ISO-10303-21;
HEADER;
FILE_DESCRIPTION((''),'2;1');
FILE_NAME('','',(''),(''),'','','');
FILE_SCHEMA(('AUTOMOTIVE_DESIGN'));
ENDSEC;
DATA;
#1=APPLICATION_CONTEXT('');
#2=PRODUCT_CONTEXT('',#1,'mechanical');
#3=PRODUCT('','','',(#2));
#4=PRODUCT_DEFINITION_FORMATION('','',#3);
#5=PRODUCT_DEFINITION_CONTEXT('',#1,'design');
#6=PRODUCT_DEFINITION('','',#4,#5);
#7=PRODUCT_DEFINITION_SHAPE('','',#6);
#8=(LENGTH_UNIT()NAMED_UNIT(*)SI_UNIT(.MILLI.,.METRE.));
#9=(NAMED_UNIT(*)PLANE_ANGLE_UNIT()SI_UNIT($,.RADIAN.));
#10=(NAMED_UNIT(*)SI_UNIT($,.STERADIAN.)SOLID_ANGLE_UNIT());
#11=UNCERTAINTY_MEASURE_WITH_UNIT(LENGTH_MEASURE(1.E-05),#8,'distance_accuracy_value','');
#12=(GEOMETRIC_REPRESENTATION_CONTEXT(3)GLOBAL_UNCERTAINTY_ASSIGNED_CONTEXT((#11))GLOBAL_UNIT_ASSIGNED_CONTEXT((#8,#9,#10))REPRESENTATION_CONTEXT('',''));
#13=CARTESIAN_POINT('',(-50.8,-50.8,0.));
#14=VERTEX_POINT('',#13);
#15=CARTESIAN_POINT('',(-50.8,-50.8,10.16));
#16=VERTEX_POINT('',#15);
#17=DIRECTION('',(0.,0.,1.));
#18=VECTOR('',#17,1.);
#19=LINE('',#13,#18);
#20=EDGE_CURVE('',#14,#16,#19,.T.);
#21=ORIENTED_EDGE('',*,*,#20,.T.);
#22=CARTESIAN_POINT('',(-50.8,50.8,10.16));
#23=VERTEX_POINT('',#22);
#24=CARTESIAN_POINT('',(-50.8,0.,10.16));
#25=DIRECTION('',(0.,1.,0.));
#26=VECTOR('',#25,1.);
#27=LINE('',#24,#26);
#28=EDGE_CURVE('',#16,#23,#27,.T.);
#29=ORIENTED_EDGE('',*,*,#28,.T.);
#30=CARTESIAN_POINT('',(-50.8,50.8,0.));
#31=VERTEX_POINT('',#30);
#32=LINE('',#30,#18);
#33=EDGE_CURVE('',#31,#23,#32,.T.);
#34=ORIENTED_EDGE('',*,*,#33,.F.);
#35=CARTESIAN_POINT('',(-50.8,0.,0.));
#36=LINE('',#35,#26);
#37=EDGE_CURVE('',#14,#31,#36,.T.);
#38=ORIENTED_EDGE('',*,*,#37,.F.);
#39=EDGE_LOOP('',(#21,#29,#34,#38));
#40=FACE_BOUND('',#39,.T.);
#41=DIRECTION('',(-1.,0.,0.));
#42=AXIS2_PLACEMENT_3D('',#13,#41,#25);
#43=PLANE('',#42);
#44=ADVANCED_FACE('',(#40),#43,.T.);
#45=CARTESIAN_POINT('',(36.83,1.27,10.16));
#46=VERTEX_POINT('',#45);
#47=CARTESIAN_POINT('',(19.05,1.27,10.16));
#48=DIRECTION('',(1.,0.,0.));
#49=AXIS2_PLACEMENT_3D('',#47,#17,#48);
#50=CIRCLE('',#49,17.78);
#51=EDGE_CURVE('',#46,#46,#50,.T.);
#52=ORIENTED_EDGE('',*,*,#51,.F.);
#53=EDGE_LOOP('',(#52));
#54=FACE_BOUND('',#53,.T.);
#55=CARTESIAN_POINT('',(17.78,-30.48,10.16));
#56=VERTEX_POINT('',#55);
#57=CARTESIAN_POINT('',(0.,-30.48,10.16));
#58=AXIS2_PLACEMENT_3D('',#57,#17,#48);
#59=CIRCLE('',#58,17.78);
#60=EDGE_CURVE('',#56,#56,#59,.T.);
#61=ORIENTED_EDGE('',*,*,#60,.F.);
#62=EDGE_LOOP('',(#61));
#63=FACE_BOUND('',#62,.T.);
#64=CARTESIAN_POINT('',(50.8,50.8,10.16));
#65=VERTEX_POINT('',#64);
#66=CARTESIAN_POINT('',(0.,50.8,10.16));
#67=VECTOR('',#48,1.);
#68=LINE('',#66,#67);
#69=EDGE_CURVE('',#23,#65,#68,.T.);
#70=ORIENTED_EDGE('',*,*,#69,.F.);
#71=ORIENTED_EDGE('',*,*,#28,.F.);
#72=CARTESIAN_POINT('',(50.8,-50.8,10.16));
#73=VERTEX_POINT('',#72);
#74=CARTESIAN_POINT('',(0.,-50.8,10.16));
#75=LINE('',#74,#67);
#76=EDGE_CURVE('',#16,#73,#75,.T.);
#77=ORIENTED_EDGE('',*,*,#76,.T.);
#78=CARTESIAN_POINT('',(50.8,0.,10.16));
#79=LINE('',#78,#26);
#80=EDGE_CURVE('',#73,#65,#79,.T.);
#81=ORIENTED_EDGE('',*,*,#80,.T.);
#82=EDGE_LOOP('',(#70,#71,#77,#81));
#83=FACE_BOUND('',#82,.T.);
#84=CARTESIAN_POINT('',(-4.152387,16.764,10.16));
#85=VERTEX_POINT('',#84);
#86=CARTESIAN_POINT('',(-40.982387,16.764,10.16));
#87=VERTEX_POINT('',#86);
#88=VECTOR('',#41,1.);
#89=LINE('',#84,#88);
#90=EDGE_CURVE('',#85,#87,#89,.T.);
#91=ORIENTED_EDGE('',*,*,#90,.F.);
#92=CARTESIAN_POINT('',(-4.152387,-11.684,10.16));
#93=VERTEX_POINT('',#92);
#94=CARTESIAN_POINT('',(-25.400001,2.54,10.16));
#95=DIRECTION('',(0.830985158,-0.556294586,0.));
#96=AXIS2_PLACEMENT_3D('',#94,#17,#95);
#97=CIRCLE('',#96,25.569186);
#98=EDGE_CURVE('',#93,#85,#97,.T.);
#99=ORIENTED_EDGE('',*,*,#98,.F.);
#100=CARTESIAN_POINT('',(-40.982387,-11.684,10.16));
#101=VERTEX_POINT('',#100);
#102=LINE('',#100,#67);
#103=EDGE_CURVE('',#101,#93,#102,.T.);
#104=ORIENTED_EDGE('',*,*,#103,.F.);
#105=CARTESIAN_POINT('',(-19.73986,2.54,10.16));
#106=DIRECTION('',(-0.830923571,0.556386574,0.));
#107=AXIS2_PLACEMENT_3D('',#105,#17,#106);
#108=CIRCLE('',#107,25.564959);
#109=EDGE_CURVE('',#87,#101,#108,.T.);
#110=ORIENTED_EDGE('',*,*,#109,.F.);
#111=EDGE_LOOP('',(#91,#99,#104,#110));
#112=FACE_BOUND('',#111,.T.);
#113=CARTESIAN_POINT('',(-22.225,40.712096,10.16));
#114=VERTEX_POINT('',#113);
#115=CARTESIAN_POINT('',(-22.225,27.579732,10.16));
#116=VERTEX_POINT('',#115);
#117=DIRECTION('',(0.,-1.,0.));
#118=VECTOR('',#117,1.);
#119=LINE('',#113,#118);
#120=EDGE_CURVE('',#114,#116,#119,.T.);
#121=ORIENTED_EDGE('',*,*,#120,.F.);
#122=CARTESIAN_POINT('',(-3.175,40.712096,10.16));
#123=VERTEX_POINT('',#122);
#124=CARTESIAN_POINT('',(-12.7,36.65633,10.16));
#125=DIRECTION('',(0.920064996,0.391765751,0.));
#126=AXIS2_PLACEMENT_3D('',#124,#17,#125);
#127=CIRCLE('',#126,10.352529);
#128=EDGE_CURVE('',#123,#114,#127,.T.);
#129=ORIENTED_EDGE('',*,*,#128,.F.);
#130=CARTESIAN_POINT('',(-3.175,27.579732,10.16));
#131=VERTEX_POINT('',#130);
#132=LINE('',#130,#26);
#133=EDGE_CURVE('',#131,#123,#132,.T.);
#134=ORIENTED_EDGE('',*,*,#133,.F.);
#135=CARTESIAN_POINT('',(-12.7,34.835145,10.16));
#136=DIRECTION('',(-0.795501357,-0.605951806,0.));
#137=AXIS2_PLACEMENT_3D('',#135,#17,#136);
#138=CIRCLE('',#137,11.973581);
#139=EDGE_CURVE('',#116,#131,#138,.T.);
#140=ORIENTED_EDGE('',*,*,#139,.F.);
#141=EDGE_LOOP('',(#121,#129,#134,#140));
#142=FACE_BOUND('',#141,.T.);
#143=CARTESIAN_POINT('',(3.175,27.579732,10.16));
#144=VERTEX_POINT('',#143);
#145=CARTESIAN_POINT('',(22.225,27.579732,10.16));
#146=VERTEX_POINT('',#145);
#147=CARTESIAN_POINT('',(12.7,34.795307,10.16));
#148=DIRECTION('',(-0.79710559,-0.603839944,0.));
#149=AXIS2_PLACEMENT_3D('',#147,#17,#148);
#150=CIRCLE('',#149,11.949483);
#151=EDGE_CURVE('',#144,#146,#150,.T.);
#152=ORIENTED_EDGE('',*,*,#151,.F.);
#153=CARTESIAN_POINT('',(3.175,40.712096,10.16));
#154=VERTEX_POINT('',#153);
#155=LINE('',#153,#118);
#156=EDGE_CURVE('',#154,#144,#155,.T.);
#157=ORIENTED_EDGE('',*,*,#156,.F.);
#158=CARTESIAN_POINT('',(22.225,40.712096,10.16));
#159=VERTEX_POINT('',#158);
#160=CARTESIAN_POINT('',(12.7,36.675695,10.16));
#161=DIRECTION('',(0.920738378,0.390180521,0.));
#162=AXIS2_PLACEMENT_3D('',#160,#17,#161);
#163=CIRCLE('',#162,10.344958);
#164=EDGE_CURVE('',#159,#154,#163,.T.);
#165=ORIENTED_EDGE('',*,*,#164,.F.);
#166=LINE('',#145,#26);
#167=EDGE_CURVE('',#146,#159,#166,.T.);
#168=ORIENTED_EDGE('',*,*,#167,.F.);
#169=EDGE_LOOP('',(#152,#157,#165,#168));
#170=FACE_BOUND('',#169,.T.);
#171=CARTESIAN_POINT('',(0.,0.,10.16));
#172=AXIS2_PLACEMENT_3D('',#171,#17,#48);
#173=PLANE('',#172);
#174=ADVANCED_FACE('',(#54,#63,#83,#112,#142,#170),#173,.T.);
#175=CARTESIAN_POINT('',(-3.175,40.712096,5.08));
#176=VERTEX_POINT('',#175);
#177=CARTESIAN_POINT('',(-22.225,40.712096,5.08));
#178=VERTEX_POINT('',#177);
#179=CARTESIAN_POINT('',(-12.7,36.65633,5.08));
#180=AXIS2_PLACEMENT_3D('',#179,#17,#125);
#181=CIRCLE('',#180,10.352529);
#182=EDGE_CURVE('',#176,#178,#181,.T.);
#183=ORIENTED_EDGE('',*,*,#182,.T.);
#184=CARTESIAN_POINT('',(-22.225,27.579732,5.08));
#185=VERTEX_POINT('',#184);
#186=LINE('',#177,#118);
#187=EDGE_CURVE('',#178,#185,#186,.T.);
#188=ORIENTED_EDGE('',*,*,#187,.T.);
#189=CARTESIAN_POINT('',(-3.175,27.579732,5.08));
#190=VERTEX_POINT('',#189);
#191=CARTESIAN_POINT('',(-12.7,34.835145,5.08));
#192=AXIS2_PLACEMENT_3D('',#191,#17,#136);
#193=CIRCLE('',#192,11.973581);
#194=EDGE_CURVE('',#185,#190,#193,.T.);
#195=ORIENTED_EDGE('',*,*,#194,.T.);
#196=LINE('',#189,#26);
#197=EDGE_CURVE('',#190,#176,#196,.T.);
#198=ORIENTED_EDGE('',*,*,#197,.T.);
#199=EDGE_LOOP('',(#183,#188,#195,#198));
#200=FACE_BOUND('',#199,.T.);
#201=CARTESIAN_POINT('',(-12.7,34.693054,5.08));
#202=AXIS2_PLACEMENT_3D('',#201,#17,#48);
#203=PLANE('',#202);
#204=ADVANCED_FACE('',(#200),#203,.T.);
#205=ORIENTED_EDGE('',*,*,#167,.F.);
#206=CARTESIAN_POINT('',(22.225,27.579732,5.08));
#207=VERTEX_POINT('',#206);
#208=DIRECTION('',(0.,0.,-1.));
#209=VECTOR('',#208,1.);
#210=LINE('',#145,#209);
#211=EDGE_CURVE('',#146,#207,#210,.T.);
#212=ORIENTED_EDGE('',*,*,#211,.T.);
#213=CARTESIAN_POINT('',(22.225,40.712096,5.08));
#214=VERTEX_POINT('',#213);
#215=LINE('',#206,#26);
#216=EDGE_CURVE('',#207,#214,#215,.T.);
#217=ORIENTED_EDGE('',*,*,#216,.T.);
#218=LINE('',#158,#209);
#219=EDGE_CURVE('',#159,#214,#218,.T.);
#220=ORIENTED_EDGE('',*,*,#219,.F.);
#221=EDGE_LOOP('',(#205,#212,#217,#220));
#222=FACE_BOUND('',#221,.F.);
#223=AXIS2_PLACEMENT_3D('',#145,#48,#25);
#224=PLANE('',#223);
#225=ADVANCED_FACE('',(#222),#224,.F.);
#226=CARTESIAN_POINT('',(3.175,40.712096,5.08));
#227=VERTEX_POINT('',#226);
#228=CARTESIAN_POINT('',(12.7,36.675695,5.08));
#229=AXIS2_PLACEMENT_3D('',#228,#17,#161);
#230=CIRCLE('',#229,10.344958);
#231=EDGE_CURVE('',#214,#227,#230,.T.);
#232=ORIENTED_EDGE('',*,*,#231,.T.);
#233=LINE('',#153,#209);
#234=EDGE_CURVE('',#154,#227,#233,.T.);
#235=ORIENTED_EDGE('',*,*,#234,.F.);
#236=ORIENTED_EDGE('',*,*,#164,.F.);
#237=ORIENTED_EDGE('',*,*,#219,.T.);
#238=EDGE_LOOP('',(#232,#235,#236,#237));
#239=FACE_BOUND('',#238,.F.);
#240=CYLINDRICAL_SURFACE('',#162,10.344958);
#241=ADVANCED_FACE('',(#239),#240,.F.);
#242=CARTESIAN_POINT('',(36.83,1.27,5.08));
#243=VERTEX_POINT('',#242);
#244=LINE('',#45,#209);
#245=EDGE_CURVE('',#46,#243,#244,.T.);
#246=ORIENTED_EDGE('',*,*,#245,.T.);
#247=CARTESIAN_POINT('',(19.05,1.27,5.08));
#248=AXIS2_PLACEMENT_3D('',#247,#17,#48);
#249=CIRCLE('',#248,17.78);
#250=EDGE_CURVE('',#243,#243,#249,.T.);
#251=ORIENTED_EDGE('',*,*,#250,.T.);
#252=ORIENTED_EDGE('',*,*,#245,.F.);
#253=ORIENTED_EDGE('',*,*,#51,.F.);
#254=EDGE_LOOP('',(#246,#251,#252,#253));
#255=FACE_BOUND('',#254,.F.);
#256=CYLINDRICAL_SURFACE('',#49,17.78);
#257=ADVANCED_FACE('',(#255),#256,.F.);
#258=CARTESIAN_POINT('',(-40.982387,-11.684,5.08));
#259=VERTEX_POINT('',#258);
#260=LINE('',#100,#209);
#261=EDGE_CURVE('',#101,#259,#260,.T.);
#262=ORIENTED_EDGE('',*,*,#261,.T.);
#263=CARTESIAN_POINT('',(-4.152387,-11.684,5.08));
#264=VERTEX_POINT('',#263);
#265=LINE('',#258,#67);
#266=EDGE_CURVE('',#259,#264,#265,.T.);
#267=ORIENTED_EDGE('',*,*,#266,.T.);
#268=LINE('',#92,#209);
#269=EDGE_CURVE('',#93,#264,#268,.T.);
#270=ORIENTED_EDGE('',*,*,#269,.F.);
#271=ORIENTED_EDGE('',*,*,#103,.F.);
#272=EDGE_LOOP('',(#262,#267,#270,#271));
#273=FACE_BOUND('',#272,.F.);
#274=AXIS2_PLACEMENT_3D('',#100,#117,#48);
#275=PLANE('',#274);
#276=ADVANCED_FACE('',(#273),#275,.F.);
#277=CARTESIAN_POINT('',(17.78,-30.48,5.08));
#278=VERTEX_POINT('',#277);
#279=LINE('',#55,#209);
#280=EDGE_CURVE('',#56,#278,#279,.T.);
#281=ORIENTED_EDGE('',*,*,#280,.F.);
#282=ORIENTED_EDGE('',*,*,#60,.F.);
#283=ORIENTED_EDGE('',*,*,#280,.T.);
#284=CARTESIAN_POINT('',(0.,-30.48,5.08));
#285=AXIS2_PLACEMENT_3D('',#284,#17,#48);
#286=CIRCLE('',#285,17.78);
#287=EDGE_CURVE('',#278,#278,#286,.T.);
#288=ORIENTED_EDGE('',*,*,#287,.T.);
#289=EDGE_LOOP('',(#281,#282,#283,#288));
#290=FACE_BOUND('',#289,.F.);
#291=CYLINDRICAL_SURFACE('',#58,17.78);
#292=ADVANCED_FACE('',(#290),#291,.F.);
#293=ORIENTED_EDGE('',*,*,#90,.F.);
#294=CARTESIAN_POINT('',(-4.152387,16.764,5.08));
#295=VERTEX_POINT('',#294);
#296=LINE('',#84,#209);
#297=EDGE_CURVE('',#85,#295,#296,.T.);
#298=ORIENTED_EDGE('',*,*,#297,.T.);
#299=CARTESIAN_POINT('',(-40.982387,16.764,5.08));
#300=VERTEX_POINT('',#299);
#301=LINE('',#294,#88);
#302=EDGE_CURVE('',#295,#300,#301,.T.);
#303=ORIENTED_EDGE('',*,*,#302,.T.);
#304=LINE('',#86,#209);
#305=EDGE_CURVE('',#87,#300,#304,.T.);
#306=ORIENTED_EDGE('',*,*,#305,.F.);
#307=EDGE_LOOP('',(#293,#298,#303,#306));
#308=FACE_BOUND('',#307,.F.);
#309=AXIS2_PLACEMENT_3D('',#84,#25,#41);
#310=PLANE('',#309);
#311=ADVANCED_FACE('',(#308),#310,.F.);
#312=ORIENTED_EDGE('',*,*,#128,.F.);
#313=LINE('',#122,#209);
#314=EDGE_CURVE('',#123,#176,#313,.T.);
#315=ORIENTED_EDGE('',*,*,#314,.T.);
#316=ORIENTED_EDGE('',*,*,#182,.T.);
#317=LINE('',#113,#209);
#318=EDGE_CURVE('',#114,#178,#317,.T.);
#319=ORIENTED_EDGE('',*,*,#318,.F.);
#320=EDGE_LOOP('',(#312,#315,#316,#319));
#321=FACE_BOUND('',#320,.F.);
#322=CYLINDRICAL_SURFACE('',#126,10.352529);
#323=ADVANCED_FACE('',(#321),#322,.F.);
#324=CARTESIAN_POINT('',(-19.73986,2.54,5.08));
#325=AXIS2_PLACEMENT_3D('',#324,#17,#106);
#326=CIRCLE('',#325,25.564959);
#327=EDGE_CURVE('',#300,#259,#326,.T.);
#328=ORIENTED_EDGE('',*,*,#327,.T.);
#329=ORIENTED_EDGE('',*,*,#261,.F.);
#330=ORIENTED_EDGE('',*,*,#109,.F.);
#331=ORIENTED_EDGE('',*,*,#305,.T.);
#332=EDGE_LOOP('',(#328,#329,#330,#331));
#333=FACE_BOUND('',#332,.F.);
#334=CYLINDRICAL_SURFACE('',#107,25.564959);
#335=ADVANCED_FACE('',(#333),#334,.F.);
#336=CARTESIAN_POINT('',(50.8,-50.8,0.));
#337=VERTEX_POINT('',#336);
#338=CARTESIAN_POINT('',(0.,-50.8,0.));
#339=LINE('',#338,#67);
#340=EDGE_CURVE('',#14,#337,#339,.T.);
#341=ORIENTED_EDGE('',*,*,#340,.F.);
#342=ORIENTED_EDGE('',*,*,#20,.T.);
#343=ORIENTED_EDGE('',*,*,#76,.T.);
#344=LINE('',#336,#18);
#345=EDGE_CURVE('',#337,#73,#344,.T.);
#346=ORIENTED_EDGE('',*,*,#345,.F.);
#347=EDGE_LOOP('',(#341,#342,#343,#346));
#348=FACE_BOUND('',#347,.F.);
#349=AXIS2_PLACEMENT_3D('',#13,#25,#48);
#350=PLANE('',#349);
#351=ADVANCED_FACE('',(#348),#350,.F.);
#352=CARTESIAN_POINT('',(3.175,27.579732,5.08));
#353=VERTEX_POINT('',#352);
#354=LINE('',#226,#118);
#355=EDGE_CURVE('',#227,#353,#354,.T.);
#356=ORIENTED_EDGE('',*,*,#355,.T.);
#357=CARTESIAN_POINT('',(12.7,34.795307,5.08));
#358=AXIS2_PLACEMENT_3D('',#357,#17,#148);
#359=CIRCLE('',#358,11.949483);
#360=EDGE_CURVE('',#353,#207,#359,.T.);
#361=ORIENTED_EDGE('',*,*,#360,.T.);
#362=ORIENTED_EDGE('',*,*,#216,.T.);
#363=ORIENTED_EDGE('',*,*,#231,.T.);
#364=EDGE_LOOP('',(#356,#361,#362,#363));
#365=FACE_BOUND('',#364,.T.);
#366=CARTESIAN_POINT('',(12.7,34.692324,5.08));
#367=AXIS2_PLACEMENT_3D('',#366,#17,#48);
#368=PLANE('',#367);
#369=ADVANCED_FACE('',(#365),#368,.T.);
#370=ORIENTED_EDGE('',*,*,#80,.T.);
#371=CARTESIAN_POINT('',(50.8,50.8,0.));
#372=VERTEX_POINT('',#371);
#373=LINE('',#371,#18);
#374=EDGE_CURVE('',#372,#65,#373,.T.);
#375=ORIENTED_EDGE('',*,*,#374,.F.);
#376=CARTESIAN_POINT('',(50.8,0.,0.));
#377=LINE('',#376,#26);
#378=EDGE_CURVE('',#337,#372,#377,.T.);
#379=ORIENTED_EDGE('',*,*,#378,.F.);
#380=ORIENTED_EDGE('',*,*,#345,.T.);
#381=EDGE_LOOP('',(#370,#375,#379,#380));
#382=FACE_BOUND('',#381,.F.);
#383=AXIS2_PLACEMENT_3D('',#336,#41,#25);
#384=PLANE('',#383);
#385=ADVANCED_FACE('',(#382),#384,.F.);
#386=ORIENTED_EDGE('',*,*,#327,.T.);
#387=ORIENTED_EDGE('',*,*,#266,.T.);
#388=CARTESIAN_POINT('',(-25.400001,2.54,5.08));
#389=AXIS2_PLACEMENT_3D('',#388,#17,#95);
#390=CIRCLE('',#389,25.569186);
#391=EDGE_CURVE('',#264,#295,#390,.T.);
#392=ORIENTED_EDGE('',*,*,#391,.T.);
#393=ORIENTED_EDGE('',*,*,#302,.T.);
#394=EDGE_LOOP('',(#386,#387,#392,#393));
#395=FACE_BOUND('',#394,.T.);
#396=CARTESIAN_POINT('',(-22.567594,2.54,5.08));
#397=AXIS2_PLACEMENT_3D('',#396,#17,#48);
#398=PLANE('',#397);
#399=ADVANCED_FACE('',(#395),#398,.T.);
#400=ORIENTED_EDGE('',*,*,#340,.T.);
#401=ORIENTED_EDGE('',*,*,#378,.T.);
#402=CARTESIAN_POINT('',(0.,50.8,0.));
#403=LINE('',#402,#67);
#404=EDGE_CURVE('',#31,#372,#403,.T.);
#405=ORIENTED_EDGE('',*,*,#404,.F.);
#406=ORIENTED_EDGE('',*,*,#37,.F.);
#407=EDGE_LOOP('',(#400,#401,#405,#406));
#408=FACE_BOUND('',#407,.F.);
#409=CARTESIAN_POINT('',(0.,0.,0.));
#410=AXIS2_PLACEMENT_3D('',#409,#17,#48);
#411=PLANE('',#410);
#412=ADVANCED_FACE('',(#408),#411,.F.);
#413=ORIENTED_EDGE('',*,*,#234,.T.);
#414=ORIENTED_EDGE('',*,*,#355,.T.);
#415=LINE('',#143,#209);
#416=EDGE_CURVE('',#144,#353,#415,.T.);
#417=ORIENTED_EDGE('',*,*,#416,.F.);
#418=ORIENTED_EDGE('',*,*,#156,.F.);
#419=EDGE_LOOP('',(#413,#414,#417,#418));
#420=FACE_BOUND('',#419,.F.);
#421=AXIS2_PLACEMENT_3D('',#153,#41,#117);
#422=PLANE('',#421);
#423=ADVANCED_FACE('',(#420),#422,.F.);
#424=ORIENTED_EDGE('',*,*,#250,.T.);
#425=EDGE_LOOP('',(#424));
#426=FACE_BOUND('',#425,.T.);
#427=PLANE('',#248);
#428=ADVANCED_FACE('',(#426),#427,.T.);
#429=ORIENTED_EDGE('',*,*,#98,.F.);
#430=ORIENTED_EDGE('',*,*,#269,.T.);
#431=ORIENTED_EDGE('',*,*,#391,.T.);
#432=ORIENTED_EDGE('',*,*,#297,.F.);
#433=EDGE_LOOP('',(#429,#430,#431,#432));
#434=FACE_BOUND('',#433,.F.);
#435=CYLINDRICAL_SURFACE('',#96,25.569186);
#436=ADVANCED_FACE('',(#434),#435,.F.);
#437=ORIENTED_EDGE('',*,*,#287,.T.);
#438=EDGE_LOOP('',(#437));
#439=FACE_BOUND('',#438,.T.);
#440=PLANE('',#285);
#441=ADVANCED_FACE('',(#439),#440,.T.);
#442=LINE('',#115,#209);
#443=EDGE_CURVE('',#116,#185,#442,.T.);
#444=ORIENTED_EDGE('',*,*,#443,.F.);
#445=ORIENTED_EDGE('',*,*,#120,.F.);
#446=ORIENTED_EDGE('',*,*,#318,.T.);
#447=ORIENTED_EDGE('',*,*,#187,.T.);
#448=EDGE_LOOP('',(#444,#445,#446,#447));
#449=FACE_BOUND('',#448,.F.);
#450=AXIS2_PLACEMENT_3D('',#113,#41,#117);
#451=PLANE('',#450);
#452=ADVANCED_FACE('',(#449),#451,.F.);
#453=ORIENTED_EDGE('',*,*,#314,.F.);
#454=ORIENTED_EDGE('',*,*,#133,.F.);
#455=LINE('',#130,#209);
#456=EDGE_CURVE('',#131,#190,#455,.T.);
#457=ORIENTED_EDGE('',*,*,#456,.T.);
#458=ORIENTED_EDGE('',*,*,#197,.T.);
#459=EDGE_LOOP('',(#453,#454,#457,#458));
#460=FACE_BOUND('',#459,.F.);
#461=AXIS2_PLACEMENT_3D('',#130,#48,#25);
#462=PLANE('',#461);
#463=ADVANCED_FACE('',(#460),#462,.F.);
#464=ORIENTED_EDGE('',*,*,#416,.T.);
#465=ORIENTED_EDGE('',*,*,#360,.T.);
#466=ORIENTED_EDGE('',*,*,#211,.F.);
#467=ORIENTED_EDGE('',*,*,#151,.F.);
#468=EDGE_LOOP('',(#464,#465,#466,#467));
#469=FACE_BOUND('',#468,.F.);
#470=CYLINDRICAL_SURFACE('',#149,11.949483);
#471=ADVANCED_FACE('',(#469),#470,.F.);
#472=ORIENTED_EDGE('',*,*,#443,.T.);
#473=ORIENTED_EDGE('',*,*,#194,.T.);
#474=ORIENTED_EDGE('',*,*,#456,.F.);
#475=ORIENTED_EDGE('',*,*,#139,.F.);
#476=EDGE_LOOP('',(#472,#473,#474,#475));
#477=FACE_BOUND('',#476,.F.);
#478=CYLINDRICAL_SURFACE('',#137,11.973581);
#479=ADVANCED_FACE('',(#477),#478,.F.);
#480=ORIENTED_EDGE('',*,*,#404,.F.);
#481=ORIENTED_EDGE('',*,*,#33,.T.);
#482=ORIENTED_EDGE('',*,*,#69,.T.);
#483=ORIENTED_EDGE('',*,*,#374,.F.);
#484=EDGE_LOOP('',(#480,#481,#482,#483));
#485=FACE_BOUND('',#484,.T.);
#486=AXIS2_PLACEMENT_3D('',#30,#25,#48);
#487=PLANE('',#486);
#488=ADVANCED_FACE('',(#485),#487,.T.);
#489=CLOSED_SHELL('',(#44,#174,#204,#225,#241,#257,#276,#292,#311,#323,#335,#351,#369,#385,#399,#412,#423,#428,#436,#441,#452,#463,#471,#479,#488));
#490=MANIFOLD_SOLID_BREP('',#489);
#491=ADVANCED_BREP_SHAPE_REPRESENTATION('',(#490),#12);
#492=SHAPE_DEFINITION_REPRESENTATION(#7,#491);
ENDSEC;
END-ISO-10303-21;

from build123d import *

# Parameters (mm, degrees)
F0_W     = 101.6
F0_H     = 101.6
F1_DEPTH = 10.16
F2_R     = 17.78
F3_DEPTH = 5.08


with BuildPart() as f1:
    # F0 (on Top) → F1 (new body)
    with BuildSketch(Plane.XY):
        Rectangle(F0_W, F0_H)
    extrude(amount=F1_DEPTH)

    # F2 (on face) → F3 (cut)
    with BuildSketch(Plane.XY.offset(10.16)):
        with Locations((0, -30.48)):
            Circle(F2_R)
        with Locations((19.05, 1.27)):
            Circle(F2_R)
        with BuildLine():
            Line((-4.152387, 16.764), (-40.982387, 16.764))
            ThreePointArc((-40.982387, 16.764), (-45.304819, 2.54), (-40.982387, -11.684))
            Line((-40.982387, -11.684), (-4.152387, -11.684))
            ThreePointArc((-4.152387, -11.684), (0.169185, 2.54), (-4.152387, 16.764))
        make_face()
        with BuildLine():
            Line((3.175, 40.712096), (3.175, 27.579732))
            ThreePointArc((3.175, 27.579732), (12.7, 22.845824), (22.225, 27.579732))
            Line((22.225, 27.579732), (22.225, 40.712096))
            ThreePointArc((22.225, 40.712096), (12.7, 47.020653), (3.175, 40.712096))
        make_face()
        with BuildLine():
            Line((-22.225, 40.712096), (-22.225, 27.579732))
            ThreePointArc((-22.225, 27.579732), (-12.7, 22.861564), (-3.175, 27.579732))
            Line((-3.175, 27.579732), (-3.175, 40.712096))
            ThreePointArc((-3.175, 40.712096), (-12.7, 47.008859), (-22.225, 40.712096))
        make_face()
    extrude(amount=-F3_DEPTH, mode=Mode.SUBTRACT)


solid = f1.part
